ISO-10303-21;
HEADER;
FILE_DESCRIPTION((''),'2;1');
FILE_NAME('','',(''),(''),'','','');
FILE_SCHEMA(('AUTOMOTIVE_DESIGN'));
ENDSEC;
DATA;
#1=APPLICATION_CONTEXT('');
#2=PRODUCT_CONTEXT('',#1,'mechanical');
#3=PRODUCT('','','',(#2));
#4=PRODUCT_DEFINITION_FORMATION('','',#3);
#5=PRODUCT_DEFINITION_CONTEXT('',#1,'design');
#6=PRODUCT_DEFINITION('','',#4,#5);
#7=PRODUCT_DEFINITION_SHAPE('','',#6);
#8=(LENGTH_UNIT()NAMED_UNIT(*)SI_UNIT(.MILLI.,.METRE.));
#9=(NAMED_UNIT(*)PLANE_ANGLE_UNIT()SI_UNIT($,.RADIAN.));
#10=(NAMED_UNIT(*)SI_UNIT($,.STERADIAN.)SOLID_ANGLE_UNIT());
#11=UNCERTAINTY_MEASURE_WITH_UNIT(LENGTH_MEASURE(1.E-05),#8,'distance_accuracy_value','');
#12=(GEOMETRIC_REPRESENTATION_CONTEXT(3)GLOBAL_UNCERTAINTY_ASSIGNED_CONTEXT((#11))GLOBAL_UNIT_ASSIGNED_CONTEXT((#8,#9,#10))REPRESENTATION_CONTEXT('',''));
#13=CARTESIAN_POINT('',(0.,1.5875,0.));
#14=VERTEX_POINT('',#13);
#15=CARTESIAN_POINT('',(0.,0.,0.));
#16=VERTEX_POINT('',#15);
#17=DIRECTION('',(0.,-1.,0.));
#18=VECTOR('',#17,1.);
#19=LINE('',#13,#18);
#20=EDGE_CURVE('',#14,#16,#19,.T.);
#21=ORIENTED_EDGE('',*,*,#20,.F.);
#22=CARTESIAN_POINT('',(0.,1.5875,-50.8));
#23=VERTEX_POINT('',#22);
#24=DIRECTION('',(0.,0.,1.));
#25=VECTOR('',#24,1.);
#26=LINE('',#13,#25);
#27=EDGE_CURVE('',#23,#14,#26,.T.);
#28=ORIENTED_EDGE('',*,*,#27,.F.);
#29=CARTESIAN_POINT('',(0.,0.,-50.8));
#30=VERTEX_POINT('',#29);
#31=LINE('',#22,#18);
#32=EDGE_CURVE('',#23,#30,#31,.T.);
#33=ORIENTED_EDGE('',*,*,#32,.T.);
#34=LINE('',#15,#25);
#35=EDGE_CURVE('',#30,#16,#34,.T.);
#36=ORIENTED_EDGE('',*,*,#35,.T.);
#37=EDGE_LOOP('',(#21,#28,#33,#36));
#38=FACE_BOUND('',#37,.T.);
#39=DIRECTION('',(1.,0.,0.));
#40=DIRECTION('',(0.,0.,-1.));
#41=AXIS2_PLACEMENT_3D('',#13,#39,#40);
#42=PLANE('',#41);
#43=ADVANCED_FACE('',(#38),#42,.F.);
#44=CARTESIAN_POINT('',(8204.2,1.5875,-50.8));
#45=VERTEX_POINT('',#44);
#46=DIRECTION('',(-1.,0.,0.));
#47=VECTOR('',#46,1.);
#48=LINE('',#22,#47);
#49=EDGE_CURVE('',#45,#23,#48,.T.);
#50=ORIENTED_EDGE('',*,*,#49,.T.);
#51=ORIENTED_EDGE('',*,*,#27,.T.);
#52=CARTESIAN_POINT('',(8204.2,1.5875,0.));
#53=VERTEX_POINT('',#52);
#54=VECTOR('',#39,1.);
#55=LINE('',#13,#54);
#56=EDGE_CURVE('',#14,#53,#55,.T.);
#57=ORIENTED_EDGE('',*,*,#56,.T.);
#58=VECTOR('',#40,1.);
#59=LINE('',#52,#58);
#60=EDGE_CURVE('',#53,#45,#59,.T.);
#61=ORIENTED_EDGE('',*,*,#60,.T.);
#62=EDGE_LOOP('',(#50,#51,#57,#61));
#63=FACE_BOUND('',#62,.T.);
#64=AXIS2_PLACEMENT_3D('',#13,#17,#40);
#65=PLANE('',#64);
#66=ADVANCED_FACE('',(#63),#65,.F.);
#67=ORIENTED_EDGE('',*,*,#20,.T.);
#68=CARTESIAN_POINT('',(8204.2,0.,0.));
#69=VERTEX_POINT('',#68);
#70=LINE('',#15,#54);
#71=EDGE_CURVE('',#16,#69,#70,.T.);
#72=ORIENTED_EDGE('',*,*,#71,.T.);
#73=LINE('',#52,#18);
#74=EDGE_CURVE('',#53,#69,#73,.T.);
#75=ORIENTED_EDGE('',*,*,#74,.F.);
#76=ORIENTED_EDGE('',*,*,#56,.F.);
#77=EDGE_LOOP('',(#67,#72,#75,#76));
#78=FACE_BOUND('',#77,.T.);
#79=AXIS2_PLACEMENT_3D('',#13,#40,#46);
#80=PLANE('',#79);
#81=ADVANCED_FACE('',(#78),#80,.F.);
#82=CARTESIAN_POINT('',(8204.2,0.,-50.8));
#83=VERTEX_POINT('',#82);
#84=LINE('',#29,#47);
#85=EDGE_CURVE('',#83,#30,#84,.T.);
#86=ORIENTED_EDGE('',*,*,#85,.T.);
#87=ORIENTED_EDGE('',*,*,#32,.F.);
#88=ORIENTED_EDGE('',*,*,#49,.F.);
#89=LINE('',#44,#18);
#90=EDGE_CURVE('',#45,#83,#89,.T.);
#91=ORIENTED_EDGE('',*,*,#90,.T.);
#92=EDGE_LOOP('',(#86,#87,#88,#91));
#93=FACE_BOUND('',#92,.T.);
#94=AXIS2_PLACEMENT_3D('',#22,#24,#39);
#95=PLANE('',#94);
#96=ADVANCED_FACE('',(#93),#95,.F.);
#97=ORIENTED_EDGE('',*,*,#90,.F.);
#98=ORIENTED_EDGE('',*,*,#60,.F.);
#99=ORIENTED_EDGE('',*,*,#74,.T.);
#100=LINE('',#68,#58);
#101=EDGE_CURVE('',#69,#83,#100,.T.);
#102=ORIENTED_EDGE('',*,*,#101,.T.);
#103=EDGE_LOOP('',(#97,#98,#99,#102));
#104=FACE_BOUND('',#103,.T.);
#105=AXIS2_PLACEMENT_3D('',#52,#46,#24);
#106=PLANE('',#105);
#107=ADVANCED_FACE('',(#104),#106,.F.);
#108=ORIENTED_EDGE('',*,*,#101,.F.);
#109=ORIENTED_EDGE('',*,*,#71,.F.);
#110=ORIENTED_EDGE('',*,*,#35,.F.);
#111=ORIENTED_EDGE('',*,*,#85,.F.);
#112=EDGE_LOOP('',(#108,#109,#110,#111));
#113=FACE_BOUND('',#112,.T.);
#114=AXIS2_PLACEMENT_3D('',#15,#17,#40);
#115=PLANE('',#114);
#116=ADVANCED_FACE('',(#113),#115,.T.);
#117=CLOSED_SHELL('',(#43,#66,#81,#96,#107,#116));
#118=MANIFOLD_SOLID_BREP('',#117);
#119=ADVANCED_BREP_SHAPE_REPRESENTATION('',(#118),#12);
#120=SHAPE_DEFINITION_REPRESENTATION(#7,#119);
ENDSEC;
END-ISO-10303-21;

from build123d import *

# Parameters (mm, degrees)
SKETCH1_W           = 8204.2
SKETCH1_H           = 50.8
BOSS_EXTRUDE1_DEPTH = 1.5875


with BuildPart() as part:
    # Sketch1 → Boss-Extrude1 (new body)
    with BuildSketch(Plane(origin=(0, 0, 0), x_dir=(1, 0, 0), z_dir=(0, 1, 0))):
        with Locations((4102.1, 25.4)):
            Rectangle(SKETCH1_W, SKETCH1_H)
    extrude(amount=BOSS_EXTRUDE1_DEPTH)


solid = part.part
